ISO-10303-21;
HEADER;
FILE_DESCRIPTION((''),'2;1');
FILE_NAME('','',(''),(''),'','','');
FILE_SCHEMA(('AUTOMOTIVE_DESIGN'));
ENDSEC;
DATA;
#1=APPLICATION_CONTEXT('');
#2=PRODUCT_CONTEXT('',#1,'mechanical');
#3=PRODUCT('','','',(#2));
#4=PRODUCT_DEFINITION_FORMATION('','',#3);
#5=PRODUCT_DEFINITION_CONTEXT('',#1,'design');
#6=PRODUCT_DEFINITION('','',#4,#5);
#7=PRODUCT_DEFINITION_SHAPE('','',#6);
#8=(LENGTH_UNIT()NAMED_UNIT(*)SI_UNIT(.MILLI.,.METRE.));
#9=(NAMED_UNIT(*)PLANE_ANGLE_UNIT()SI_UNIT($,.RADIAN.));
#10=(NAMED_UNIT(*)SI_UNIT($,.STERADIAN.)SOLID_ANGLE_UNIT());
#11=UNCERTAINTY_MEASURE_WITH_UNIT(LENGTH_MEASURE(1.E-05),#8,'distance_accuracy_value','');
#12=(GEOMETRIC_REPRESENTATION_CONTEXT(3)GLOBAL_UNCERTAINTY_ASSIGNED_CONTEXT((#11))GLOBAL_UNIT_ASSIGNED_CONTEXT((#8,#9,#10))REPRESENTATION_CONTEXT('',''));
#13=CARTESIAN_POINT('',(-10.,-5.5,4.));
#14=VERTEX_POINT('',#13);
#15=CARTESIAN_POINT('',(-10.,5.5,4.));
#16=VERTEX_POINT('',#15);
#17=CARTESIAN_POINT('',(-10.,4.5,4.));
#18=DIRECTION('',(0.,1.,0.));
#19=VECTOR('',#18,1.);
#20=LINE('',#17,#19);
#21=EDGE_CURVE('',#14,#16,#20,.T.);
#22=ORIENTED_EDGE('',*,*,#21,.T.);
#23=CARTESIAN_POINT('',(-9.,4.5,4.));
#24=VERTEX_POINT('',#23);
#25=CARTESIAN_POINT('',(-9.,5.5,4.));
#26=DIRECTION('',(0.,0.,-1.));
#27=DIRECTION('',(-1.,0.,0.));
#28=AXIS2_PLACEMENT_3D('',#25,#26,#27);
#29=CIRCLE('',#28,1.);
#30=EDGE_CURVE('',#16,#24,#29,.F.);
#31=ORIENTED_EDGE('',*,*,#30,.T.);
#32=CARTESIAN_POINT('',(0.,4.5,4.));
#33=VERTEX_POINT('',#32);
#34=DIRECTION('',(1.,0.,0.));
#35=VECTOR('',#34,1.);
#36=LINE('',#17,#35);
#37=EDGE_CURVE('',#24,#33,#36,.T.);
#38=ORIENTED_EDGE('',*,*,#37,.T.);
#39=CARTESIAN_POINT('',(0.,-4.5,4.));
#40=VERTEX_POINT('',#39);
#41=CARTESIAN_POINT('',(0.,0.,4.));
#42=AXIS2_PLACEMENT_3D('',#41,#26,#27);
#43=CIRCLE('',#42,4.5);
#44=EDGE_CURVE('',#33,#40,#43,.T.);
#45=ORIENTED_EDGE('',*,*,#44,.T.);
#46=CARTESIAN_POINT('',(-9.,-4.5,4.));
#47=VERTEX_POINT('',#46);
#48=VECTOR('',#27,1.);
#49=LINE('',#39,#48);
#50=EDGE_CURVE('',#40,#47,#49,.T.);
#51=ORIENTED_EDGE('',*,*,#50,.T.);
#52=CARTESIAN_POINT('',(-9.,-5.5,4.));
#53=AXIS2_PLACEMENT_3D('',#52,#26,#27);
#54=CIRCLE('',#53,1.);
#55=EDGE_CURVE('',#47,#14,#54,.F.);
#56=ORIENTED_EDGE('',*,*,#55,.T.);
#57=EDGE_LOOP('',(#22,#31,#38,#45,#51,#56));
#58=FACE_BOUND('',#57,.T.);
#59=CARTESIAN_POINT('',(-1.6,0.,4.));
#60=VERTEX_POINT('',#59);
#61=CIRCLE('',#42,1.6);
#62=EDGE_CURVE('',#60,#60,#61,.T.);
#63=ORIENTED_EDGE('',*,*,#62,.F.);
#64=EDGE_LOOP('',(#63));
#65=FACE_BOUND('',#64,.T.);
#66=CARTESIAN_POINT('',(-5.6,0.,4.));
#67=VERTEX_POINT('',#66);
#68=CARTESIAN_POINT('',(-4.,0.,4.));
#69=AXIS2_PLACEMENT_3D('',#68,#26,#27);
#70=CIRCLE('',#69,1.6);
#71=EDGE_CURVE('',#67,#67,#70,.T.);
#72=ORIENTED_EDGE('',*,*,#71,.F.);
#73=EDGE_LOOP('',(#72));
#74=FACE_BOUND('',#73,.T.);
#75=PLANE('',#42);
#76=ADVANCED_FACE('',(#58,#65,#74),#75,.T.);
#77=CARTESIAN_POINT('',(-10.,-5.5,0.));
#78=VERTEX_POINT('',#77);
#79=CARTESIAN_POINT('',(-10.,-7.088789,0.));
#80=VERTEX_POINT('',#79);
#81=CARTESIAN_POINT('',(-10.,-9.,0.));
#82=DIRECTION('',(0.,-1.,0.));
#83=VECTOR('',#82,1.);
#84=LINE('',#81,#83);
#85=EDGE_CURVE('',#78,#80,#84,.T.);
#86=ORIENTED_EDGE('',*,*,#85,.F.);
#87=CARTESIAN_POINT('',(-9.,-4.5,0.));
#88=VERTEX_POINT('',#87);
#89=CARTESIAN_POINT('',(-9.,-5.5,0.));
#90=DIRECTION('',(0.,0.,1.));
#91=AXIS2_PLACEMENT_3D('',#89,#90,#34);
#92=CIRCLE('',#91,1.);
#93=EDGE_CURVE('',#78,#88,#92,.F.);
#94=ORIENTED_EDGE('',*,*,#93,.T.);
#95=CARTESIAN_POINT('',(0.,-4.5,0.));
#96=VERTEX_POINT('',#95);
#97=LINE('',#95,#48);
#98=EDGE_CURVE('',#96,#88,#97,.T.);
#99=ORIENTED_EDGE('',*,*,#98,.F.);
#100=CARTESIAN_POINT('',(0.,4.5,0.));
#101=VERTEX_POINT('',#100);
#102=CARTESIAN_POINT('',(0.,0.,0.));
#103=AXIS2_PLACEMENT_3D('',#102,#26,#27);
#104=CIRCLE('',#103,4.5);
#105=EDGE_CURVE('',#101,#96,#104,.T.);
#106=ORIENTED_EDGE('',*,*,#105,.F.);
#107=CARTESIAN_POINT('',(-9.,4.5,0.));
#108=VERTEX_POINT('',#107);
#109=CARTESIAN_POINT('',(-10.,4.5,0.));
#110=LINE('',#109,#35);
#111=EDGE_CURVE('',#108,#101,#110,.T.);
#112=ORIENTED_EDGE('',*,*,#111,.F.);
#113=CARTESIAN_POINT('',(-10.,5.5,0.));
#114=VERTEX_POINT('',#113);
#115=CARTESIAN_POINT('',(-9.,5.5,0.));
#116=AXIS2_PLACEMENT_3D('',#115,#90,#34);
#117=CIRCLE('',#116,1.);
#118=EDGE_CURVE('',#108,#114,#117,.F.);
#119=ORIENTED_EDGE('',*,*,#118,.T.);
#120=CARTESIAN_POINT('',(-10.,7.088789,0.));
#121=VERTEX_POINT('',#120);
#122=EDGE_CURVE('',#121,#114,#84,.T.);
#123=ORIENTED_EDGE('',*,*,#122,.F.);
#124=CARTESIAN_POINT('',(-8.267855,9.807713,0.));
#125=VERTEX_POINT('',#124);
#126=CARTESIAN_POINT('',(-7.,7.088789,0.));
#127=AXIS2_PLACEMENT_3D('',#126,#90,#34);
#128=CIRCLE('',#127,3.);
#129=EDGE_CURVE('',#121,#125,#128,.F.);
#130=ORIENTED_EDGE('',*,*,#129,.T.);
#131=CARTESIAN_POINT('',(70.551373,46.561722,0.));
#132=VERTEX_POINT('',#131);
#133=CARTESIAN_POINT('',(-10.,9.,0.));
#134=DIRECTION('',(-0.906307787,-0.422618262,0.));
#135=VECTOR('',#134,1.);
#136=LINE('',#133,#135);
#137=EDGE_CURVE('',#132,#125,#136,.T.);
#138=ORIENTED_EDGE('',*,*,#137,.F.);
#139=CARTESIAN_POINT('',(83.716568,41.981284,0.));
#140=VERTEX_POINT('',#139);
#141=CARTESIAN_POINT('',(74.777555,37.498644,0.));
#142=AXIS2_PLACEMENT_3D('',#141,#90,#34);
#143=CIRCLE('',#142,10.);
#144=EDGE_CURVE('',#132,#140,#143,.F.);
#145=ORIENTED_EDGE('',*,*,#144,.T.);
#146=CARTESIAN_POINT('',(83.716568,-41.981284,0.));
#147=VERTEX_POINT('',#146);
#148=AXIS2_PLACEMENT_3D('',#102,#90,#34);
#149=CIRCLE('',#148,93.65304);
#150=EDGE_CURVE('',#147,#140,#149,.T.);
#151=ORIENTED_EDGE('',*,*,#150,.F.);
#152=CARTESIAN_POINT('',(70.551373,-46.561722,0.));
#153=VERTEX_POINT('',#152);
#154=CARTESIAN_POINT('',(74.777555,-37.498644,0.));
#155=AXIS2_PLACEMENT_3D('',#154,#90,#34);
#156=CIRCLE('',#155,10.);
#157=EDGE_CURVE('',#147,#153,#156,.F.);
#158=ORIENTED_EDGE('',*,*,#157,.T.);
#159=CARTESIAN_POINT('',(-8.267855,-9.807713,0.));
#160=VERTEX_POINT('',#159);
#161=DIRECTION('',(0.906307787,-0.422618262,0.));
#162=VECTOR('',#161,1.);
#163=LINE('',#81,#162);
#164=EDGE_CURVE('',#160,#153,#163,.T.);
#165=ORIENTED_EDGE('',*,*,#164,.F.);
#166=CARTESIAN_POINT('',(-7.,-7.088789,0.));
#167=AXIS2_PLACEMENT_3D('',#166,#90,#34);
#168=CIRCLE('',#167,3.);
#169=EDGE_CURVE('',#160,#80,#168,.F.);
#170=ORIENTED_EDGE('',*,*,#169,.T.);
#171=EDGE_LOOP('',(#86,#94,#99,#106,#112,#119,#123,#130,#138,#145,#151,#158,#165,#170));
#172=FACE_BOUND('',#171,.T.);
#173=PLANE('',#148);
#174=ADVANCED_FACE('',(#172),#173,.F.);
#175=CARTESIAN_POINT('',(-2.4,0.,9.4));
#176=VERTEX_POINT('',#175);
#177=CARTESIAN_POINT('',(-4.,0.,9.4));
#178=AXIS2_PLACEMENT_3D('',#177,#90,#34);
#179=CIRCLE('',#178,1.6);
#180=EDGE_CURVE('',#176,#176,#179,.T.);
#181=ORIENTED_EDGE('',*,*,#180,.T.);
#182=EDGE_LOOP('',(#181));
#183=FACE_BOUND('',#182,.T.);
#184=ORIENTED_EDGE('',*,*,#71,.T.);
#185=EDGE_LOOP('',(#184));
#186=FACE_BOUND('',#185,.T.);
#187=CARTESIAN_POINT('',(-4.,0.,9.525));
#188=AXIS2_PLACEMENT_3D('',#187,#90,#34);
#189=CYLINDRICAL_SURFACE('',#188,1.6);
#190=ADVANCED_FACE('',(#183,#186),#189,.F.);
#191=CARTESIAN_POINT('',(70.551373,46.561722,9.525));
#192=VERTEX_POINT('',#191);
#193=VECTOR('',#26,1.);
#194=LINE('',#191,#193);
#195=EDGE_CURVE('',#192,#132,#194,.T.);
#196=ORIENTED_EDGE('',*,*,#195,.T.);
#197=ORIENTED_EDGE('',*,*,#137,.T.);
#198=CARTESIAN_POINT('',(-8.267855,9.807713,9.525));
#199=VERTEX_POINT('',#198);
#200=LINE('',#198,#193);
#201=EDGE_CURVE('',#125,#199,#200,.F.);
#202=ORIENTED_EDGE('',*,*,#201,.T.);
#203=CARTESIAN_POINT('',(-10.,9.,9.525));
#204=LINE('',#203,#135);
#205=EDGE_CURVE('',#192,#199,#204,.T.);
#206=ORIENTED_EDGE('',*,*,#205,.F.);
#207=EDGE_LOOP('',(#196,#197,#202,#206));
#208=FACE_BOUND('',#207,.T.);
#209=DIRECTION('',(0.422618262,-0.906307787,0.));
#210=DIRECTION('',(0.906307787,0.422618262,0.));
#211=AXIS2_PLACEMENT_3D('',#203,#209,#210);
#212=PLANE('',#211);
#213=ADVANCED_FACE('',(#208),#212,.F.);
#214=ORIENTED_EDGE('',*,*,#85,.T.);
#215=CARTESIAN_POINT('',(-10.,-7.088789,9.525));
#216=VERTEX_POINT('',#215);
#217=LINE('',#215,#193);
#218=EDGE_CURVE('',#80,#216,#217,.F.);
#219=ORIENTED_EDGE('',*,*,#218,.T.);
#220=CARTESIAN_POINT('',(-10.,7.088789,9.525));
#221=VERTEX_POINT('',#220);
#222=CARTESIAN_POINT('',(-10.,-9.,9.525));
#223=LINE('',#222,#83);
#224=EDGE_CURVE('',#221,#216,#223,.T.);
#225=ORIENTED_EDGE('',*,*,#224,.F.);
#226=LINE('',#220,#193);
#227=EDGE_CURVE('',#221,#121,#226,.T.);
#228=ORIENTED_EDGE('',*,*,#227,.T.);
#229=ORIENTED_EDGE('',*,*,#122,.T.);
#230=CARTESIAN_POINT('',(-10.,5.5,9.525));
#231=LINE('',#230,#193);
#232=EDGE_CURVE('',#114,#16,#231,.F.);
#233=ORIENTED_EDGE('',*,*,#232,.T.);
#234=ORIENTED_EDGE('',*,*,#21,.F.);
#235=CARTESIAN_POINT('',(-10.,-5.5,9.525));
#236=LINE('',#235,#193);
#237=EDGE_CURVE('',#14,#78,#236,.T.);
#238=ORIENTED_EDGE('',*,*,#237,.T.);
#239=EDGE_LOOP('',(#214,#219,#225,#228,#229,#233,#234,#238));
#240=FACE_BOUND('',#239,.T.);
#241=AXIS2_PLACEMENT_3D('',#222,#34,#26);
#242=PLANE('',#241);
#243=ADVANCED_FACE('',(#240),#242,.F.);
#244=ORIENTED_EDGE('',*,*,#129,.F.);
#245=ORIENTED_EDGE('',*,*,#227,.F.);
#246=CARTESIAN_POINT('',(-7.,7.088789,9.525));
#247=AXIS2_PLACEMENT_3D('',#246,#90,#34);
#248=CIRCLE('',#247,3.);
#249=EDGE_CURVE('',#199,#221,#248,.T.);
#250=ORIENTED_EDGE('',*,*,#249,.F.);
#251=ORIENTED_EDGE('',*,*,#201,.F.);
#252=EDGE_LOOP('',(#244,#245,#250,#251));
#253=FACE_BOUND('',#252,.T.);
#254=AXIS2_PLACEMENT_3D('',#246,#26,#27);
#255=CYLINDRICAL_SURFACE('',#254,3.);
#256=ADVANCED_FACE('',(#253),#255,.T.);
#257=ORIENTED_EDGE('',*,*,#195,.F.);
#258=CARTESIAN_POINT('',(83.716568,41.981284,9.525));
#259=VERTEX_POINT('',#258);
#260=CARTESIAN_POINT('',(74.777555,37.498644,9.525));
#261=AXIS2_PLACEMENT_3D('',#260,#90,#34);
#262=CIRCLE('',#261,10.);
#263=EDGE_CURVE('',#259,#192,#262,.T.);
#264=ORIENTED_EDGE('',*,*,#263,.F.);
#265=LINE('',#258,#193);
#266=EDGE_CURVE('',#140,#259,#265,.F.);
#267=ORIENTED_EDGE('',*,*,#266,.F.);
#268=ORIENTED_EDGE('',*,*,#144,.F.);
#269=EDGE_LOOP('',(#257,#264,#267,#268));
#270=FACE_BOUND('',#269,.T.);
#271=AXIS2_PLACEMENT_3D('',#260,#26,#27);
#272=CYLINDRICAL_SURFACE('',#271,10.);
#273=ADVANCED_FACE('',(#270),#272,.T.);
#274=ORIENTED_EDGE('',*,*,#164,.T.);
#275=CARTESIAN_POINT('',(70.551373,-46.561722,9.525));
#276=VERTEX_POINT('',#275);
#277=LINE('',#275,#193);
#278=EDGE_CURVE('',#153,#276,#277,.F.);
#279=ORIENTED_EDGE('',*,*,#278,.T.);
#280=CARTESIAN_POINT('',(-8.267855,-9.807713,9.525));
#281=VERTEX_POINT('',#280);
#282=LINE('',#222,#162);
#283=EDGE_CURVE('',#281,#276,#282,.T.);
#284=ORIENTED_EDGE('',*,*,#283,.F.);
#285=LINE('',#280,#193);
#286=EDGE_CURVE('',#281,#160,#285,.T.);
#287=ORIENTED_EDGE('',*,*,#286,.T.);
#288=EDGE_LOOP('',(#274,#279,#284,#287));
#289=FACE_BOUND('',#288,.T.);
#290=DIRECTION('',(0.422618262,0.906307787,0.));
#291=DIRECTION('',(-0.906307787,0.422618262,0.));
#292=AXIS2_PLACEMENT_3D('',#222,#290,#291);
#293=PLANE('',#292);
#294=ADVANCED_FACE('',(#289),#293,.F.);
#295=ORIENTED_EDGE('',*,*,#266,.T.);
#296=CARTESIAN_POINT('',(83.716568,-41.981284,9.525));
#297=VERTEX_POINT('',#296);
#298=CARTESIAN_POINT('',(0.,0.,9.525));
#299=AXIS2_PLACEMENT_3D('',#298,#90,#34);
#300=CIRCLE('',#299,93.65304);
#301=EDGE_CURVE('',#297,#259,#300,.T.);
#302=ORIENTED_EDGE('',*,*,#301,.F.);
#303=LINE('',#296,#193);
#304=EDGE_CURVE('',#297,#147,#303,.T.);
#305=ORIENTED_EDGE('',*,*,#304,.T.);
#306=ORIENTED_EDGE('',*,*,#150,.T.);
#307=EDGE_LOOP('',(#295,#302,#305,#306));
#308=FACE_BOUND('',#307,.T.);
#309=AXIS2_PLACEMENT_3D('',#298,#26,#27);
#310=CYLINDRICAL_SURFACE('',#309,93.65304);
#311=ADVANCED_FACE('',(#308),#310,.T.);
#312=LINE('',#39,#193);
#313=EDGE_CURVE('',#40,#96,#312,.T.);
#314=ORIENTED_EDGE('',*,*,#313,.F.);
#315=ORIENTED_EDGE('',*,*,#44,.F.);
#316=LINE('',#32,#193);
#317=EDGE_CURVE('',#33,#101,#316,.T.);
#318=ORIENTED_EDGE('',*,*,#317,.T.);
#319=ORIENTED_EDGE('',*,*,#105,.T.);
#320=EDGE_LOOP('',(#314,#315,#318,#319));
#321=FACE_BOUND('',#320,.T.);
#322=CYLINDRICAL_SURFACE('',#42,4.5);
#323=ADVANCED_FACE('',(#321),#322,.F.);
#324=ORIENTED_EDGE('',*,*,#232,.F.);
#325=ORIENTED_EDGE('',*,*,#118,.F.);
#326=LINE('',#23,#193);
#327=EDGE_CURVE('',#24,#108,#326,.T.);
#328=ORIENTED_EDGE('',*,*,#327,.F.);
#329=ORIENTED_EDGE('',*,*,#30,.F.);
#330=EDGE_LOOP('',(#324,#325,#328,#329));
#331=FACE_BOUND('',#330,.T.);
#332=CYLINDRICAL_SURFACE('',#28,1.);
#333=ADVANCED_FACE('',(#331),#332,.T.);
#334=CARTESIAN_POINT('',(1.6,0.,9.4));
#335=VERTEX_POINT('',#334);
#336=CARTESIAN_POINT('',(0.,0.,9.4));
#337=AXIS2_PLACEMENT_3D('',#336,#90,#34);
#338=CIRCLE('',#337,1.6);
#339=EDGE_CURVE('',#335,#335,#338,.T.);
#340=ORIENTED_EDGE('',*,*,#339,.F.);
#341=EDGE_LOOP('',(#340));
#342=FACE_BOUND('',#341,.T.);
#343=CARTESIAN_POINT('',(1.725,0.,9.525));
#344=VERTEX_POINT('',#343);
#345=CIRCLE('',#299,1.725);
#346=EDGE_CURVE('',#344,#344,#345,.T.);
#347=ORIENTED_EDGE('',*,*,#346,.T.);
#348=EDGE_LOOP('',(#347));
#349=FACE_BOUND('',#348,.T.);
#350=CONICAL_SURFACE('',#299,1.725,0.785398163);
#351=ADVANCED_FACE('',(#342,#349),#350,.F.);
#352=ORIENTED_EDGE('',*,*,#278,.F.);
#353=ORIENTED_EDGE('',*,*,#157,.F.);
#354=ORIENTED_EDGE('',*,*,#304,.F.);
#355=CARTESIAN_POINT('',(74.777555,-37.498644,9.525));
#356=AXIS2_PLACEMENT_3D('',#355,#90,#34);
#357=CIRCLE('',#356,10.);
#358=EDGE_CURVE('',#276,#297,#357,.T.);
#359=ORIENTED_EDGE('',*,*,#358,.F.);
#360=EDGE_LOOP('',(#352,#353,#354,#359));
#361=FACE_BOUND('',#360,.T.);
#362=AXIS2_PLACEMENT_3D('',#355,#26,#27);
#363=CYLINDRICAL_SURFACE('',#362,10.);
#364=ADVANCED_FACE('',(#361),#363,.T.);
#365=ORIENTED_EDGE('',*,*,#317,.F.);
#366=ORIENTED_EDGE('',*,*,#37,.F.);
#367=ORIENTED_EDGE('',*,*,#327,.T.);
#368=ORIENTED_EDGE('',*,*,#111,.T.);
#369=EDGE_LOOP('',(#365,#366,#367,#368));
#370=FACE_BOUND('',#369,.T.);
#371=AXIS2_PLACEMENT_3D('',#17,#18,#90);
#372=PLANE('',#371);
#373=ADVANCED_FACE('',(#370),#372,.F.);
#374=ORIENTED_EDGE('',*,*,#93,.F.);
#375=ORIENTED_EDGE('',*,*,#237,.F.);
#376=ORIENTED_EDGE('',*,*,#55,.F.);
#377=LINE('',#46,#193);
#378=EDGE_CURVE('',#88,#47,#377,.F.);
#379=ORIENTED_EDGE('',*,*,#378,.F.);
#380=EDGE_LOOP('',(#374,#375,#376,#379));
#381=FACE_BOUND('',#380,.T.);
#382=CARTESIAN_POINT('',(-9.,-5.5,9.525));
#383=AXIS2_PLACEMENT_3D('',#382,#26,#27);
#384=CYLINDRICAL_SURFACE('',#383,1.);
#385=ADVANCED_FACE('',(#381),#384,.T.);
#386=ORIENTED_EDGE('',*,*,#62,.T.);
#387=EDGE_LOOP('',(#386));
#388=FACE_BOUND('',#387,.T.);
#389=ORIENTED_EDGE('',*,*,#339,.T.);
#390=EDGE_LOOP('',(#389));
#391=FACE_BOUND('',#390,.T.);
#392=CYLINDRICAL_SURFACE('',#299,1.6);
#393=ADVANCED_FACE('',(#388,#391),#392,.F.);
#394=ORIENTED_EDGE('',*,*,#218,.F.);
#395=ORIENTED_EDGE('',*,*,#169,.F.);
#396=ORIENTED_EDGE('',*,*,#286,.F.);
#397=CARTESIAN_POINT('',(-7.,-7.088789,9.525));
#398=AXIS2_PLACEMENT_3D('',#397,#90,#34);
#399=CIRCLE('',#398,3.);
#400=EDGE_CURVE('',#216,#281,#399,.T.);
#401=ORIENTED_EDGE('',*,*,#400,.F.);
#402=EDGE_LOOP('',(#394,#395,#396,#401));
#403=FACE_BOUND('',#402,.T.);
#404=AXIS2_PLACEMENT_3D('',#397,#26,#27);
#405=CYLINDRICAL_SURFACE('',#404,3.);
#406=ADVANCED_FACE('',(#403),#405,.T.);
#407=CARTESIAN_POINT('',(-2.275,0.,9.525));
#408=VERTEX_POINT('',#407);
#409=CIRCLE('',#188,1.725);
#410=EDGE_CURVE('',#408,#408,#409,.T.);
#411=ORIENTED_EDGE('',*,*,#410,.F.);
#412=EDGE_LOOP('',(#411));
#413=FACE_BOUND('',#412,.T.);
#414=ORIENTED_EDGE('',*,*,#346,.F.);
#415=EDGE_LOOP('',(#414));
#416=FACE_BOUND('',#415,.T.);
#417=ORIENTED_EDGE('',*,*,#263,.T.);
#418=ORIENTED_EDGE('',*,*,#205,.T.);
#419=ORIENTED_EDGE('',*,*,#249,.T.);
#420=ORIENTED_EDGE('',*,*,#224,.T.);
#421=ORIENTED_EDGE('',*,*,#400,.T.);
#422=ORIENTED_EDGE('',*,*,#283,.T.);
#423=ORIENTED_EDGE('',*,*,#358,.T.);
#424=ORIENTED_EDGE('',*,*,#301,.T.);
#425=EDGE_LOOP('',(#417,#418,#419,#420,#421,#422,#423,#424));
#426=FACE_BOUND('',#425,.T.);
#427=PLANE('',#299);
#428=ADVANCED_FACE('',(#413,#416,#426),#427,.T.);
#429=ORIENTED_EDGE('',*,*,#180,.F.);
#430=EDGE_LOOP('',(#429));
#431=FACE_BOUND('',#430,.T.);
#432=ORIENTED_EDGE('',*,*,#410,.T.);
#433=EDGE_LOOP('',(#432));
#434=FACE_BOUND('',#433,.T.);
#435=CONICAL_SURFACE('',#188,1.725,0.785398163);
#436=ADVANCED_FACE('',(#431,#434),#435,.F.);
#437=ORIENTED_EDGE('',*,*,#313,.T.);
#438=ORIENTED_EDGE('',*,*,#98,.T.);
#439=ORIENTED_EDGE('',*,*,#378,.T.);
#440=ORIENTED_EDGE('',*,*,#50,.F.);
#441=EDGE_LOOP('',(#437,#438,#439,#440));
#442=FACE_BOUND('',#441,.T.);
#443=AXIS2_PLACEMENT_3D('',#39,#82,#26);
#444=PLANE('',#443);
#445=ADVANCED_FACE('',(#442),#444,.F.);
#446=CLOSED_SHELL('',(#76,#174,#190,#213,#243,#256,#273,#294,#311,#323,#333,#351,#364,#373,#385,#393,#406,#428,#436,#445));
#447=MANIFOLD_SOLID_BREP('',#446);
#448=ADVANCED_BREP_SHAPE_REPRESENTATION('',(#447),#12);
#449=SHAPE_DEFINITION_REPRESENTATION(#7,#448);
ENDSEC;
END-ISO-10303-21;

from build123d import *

# Parameters (mm, degrees)
BOSS_EXTRUDE1_DEPTH            = 9.525
CUT_EXTRUDE2_DEPTH             = 4
M3_CLEARANCE_HOLE1_D           = 3.2
M3_CLEARANCE_HOLE1_CSINK_D     = 3.45
M3_CLEARANCE_HOLE1_CSINK_ANGLE = 90
FILLET1_R                      = 1
FILLET2_R                      = 3
FILLET3_R                      = 10


with BuildPart() as part:
    # Sketch2 → Boss-Extrude1 (new body)
    with BuildSketch(Plane(origin=(0, 0, 0), x_dir=(0, 1, 0), z_dir=(0, 0, 1))):
        with BuildLine():
            Line((-9, 10), (9, 10))
            Line((9, 10), (50.45475081, -78.9))
            ThreePointArc((50.45475081, -78.9), (0, -93.653039883), (-50.45475081, -78.9))
            Line((-50.45475081, -78.9), (-9, 10))
        make_face()
    extrude(amount=BOSS_EXTRUDE1_DEPTH)

    # Sketch3 → Cut-Extrude2 (cut)
    with BuildSketch(Plane(origin=(0, 0, 0), x_dir=(1, 0, 0), z_dir=(0, 0, -1))):
        with BuildLine():
            Line((-10, -4.5), (-10, 4.5))
            Line((-10, 4.5), (0, 4.5))
            ThreePointArc((0, 4.5), (4.5, 0), (0, -4.5))
            Line((0, -4.5), (-10, -4.5))
        make_face()
    extrude(amount=-CUT_EXTRUDE2_DEPTH, mode=Mode.SUBTRACT)

    # M3 Clearance Hole1 (through all)
    with Locations(Plane(origin=(0, 0, 9.525), x_dir=(0, -1, 0), z_dir=(0, 0, 1))):
        with Locations((0, 0), (0, -4)):
            CounterSinkHole(M3_CLEARANCE_HOLE1_D / 2, M3_CLEARANCE_HOLE1_CSINK_D / 2, counter_sink_angle=M3_CLEARANCE_HOLE1_CSINK_ANGLE)

    # Fillet1
    fillet1_edges = [part.edges().sort_by_distance(p)[0] for p in [
        (-10, 4.5, 2),
        (-10, -4.5, 2),
    ]]
    fillet(fillet1_edges, radius=FILLET1_R)

    # Fillet2
    fillet2_edges = [part.edges().sort_by_distance(p)[0] for p in [
        (-10, -9, 4.7625),
        (-10, 9, 4.7625),
    ]]
    fillet(fillet2_edges, radius=FILLET2_R)

    # Fillet3
    fillet3_edges = [part.edges().sort_by_distance(p)[0] for p in [
        (78.9, 50.45475081, 4.7625),
        (78.9, -50.45475081, 4.7625),
    ]]
    fillet(fillet3_edges, radius=FILLET3_R)


solid = part.part
